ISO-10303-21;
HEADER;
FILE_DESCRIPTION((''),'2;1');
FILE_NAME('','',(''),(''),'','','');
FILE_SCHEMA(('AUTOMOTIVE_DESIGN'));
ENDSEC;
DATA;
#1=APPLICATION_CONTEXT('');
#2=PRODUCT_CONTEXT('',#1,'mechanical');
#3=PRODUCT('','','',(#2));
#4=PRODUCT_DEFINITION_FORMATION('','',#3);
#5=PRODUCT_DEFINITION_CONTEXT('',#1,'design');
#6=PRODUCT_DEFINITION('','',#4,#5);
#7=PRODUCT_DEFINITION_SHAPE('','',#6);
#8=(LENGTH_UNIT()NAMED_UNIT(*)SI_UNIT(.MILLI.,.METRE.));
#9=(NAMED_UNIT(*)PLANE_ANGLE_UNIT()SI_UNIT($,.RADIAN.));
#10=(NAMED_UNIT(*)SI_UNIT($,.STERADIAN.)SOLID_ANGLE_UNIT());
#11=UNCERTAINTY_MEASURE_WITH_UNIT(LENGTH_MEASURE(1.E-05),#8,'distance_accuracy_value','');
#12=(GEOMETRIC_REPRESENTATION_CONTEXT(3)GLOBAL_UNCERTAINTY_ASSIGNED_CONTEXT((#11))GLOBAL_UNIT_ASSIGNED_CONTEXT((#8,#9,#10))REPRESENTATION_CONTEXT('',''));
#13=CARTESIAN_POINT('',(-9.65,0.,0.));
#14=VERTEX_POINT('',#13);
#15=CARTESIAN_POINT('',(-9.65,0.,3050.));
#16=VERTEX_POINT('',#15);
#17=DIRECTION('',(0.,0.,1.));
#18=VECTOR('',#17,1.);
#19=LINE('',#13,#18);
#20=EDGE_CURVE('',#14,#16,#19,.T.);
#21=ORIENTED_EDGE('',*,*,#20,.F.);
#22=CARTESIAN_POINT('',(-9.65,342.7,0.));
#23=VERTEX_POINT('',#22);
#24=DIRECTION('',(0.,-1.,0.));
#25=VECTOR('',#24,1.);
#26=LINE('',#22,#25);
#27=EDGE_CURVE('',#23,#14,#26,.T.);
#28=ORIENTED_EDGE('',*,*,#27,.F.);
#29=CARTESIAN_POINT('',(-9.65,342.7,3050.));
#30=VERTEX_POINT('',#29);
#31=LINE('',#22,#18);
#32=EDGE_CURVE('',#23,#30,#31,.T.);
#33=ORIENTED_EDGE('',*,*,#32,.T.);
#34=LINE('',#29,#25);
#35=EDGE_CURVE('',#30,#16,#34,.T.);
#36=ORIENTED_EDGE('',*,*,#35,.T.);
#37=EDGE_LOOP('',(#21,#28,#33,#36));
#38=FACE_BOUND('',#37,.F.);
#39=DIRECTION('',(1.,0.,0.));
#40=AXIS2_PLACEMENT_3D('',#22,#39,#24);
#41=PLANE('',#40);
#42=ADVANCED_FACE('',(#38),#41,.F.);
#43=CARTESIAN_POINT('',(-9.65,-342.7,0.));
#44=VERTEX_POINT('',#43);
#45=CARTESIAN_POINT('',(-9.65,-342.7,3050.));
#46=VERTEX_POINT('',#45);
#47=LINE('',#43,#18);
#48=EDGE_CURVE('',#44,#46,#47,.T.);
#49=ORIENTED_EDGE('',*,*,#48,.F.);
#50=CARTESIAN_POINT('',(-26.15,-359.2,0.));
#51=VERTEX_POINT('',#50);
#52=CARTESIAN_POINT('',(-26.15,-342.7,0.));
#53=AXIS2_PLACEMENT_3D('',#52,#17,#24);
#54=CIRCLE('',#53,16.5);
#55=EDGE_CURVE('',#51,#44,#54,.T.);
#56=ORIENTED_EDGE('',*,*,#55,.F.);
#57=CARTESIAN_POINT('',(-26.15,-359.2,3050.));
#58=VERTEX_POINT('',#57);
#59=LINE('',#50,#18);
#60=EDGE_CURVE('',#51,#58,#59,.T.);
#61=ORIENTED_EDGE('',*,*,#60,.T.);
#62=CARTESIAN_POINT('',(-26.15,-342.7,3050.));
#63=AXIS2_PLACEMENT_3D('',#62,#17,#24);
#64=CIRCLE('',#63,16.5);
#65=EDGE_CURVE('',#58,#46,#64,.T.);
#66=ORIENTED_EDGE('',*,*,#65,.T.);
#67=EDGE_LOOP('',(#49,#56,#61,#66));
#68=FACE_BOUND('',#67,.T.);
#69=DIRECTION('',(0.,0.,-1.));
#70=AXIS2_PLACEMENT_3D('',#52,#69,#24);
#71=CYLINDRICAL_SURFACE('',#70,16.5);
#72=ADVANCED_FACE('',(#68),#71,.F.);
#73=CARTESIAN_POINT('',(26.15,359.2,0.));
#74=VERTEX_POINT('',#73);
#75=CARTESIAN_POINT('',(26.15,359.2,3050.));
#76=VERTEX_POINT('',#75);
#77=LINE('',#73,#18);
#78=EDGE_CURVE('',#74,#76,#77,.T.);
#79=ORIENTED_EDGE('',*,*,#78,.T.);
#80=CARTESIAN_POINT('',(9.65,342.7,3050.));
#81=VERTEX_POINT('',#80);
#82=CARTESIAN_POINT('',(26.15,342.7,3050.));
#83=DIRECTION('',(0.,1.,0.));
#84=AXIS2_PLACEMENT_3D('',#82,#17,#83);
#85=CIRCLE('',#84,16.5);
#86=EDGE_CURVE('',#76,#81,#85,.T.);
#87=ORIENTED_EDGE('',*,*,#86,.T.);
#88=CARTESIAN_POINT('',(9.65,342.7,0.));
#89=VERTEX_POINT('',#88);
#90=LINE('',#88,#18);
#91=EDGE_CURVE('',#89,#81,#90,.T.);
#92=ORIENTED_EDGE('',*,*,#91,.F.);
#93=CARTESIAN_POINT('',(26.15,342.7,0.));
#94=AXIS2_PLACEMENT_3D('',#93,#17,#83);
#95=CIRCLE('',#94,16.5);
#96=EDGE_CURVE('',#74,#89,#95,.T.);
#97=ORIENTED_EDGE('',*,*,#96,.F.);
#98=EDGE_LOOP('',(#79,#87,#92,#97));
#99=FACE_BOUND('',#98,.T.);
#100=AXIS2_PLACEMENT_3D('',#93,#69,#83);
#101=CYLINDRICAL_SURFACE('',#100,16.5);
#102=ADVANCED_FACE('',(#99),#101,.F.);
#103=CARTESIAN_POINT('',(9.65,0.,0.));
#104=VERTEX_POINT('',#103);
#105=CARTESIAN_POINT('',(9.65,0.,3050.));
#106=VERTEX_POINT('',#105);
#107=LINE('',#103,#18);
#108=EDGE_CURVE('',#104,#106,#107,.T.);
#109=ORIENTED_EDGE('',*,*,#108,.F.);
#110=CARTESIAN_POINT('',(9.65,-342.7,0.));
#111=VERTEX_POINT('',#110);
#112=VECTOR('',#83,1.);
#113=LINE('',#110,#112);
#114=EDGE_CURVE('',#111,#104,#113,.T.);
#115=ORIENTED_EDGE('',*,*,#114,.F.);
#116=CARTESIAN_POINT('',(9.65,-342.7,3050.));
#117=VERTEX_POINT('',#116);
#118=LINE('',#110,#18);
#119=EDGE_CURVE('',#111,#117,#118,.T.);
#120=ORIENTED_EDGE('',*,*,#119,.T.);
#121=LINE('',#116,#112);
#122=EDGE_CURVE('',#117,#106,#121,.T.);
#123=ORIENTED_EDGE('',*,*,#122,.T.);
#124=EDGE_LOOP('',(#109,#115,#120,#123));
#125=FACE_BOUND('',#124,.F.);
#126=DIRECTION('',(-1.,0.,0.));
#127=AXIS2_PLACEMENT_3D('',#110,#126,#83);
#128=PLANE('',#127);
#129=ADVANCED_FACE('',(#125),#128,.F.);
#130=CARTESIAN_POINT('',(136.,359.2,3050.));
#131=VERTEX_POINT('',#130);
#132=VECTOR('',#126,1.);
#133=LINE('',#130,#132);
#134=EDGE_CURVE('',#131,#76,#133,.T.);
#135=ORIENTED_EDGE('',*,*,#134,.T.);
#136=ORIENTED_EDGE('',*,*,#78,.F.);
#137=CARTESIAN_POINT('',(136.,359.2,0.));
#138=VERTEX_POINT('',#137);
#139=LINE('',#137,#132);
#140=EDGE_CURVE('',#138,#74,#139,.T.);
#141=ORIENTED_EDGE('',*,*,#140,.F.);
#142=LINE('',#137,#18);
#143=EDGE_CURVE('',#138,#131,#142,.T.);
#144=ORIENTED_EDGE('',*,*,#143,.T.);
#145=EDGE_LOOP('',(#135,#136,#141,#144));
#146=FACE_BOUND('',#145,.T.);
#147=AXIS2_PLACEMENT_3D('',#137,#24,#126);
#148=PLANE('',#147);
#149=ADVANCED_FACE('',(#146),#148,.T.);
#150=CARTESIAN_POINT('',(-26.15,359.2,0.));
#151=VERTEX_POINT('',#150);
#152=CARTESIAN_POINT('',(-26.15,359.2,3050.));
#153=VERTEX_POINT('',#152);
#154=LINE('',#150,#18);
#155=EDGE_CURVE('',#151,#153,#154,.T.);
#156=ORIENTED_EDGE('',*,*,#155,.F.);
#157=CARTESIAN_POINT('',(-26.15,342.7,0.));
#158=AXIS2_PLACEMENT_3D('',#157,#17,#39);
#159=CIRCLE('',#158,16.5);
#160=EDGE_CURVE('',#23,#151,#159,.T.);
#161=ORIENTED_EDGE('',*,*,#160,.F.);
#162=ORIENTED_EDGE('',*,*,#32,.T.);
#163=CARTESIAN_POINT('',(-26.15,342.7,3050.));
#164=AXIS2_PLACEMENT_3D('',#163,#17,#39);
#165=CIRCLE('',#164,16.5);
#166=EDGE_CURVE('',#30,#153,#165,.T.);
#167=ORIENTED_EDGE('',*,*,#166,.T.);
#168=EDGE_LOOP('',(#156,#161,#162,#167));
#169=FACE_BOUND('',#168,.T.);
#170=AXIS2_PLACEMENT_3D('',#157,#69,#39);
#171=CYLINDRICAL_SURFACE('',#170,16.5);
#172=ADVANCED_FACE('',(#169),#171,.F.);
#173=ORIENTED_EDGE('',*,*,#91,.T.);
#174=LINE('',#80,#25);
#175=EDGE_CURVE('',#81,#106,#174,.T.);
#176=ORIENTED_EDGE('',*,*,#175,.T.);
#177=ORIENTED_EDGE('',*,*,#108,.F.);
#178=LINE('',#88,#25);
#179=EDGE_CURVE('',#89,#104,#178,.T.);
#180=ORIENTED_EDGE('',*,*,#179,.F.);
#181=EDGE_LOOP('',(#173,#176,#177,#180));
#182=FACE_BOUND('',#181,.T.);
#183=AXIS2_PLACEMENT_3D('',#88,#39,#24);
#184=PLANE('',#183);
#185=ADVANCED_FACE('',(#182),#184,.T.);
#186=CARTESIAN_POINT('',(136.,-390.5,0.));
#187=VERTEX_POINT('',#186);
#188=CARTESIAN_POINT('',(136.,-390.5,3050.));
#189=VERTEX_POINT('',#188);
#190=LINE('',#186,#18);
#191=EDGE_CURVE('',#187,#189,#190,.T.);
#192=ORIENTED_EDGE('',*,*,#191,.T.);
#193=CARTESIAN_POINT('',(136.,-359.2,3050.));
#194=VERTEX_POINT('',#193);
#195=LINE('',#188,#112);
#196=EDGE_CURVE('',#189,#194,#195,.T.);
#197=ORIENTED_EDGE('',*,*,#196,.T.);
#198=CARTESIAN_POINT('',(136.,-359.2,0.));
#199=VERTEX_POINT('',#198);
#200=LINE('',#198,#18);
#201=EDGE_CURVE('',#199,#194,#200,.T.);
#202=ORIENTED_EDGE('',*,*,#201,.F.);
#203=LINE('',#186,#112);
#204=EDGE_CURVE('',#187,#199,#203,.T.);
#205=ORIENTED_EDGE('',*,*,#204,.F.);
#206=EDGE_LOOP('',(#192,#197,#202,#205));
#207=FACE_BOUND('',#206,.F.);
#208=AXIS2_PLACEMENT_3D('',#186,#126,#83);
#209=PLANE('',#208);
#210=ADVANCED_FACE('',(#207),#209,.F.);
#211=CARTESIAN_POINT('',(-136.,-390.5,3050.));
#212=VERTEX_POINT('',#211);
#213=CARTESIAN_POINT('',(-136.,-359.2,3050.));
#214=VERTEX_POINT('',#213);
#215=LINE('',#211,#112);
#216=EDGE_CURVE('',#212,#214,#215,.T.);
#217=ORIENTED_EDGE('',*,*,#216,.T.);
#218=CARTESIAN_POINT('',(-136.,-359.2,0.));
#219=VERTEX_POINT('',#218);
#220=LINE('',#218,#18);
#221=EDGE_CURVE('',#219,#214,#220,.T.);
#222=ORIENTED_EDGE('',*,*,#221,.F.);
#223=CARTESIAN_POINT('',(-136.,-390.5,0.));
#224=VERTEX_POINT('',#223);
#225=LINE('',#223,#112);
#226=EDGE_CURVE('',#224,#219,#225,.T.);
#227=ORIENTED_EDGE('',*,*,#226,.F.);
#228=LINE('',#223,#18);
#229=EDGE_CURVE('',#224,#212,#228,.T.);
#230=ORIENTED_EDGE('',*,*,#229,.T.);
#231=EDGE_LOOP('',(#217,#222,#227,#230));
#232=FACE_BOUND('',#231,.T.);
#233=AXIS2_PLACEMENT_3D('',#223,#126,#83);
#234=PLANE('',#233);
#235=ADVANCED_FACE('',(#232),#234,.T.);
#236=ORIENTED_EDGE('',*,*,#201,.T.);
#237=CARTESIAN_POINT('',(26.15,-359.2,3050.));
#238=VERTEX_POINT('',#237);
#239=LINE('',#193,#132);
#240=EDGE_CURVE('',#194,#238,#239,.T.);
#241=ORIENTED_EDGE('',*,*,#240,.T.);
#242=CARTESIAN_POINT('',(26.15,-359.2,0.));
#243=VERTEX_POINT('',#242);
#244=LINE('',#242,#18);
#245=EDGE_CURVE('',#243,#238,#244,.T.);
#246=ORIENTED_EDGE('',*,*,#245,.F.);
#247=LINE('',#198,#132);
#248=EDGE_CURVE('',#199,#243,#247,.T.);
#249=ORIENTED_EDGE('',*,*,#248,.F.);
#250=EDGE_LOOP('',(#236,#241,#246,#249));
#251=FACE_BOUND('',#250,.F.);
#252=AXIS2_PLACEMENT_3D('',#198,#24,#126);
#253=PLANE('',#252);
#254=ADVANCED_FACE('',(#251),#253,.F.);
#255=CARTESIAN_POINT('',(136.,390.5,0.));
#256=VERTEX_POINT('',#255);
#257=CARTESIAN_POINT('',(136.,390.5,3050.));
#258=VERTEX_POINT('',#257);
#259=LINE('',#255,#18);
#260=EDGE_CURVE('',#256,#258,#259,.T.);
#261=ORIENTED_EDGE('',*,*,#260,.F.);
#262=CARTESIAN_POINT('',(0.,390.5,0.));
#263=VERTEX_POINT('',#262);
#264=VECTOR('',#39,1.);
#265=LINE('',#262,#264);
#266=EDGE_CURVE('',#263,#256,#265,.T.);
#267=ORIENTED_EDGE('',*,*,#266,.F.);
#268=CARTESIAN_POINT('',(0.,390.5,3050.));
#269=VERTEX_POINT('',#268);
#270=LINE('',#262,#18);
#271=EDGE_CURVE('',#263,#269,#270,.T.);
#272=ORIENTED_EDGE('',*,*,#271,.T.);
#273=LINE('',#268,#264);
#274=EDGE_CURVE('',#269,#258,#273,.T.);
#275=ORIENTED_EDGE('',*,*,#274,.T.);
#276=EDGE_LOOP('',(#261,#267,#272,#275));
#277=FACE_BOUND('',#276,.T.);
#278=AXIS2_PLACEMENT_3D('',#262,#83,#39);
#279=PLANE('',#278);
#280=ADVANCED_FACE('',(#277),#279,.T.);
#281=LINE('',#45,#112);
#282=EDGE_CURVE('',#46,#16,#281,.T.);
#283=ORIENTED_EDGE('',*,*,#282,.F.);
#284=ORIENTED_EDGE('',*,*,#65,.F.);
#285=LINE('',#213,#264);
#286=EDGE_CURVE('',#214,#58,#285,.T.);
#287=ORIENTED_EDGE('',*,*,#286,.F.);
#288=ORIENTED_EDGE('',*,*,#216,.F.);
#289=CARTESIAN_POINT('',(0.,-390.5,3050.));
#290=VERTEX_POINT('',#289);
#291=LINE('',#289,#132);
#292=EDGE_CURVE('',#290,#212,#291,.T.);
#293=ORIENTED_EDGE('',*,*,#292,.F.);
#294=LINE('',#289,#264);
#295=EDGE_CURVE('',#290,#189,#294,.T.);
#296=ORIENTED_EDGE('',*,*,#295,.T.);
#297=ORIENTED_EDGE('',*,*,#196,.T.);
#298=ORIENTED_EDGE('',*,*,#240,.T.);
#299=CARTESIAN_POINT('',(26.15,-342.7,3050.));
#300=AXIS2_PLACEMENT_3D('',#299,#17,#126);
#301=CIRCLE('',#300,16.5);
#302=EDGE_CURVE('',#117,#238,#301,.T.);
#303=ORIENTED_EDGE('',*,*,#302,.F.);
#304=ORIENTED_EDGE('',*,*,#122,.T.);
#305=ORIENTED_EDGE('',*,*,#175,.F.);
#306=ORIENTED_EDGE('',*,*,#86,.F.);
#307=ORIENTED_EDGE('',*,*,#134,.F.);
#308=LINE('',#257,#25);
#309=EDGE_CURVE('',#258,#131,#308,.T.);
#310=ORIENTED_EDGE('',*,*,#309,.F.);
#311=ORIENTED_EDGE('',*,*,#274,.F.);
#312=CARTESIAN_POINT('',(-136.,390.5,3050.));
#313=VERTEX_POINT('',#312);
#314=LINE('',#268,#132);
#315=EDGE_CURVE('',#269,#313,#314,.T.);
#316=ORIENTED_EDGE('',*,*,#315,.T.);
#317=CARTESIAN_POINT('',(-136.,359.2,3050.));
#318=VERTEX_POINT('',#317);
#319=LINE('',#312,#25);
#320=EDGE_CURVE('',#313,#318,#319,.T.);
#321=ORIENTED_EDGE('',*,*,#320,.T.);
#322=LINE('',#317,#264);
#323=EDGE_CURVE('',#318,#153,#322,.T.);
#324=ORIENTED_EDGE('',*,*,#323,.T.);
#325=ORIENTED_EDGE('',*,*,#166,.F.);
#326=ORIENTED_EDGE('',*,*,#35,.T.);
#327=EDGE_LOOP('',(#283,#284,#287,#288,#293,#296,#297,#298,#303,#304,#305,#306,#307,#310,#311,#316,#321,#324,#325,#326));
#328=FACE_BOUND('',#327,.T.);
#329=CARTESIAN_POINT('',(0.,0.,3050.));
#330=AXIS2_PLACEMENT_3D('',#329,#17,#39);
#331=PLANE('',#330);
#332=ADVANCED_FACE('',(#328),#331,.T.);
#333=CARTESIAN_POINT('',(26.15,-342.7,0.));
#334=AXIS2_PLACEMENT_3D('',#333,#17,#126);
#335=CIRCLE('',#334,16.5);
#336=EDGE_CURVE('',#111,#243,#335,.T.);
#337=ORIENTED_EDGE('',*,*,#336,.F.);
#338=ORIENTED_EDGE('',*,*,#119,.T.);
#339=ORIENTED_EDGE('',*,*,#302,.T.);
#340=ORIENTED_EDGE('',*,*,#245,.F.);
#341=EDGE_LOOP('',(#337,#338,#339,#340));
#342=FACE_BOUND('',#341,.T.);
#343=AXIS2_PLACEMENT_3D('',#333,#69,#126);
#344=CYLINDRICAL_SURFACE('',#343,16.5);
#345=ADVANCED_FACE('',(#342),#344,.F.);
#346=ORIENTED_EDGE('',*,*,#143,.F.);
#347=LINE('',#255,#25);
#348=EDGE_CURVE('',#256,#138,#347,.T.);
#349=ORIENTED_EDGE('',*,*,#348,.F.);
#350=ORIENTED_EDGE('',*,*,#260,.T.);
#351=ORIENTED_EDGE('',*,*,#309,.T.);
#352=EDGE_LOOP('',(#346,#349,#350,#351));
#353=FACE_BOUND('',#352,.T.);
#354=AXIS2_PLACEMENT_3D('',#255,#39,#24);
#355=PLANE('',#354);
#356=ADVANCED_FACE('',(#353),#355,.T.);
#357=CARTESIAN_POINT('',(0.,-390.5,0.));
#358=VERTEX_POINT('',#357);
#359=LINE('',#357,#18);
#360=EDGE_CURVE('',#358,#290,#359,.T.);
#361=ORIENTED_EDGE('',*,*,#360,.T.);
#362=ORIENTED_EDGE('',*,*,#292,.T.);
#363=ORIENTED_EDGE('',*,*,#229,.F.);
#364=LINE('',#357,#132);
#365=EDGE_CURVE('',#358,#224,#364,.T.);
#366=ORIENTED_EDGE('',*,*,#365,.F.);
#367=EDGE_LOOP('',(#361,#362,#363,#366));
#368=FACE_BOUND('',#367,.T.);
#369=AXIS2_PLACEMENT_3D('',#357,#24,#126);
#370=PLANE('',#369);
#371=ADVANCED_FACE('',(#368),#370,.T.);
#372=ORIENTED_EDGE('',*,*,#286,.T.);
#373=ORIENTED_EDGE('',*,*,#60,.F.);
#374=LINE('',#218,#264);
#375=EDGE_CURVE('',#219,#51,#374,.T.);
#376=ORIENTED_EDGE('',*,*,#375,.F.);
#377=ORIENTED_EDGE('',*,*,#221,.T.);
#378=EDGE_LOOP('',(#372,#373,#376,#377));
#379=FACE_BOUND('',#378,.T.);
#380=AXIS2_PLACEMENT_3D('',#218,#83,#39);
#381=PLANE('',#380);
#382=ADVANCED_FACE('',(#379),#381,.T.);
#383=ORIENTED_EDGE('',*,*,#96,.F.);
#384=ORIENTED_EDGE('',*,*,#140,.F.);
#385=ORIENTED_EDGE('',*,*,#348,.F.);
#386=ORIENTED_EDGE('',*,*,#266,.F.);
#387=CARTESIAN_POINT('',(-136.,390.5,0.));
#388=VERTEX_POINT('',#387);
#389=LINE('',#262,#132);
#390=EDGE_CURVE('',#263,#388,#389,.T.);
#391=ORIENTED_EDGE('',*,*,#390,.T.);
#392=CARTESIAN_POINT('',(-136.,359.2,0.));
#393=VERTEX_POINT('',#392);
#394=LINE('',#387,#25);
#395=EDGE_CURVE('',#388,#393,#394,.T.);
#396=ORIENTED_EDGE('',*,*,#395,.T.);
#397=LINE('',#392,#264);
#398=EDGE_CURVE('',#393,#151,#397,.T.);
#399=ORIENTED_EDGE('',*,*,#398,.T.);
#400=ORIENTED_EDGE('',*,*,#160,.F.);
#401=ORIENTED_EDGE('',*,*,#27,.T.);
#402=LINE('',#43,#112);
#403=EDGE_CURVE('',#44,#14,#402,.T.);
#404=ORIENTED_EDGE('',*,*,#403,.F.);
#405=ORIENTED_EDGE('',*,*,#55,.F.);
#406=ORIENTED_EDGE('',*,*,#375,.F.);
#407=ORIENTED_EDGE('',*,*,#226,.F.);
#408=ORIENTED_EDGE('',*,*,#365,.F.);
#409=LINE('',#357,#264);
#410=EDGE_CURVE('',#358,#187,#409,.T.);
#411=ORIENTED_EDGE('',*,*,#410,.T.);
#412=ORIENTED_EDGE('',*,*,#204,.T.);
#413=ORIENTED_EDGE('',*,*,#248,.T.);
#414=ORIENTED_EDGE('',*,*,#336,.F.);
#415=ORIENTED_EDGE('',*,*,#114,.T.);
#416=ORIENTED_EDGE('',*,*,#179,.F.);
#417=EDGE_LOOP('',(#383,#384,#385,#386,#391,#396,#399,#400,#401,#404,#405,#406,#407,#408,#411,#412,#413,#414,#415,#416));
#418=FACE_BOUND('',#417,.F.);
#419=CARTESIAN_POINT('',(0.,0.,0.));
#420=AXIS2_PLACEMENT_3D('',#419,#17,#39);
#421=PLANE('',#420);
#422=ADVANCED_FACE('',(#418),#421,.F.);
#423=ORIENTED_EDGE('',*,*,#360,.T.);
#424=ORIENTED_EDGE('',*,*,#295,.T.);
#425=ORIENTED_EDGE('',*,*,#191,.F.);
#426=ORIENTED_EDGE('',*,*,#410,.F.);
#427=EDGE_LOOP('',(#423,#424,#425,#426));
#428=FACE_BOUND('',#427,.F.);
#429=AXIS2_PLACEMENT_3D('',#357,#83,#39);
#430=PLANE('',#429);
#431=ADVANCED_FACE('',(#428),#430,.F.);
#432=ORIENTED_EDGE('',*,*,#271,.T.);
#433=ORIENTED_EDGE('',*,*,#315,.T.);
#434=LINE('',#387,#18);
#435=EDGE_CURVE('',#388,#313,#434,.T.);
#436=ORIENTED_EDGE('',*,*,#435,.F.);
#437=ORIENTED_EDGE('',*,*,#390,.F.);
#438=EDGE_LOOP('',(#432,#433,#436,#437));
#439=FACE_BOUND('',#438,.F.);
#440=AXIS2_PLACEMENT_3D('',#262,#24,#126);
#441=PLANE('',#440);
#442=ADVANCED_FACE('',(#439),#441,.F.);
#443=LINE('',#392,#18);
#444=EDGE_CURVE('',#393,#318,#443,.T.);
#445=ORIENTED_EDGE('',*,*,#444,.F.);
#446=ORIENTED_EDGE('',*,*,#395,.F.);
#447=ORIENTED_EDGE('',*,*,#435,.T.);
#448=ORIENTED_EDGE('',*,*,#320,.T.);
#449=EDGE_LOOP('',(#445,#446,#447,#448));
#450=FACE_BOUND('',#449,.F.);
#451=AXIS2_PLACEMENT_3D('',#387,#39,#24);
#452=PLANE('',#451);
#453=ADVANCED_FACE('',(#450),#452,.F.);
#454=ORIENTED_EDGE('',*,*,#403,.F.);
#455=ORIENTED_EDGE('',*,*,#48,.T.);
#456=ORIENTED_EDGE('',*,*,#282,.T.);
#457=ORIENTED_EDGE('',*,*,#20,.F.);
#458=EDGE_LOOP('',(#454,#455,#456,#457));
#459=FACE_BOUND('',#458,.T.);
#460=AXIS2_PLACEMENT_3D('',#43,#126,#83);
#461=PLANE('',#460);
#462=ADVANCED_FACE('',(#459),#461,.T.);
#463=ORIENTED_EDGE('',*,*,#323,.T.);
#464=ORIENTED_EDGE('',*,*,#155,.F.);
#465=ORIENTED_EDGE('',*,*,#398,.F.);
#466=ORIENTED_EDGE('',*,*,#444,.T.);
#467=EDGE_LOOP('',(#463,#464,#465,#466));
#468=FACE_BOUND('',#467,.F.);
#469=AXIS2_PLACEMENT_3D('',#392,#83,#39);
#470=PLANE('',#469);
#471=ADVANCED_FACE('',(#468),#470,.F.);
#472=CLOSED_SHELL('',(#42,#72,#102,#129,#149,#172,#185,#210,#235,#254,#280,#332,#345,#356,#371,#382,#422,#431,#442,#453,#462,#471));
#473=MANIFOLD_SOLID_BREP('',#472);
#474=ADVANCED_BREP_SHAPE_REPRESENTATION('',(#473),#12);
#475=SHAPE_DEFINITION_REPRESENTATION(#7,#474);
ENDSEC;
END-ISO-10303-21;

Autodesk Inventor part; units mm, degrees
ref_plane "YZ Plane" through (0, 0, 0) normal (1, 0, 0) x (0, 1, 0)
ref_plane "Start plane" through (0, 0, 0) normal (0, 0, 1) x (1, 0, 0)
ref_plane "End plane" through (0, 0, 3050) normal (0, 0, 1) x (1, 0, 0)
sketch "Sketch" plane through (0, 0, 0) normal (0, 0, 1) x (1, 0, 0)
  line L0 (-136, -390.5) -> (-136, -359.2)
  line L1 (-136, -359.2) -> (-26.15, -359.2)
  line L2 (-9.65, -342.7) -> (-9.65, 0)
  line L3 (-9.65, 0) -> (0, 0) construction
  line L4 (0, 0) -> (0, -390.5) construction
  line L5 (0, -390.5) -> (-136, -390.5)
  line L6 (-60, 0) -> (80, 0) construction
  line L7 (0, -60) -> (0, 80) construction
  line L8 (136, -390.5) -> (136, -359.2)
  line L9 (136, -359.2) -> (26.15, -359.2)
  line L10 (9.65, -342.7) -> (9.65, 0)
  line L11 (9.65, 0) -> (0, 0) construction
  line L12 (0, -390.5) -> (136, -390.5)
  line L13 (-136, 390.5) -> (-136, 359.2)
  line L14 (-136, 359.2) -> (-26.15, 359.2)
  line L15 (-9.65, 342.7) -> (-9.65, 0)
  line L16 (0, 390.5) -> (-136, 390.5)
  line L17 (136, 390.5) -> (136, 359.2)
  line L18 (136, 359.2) -> (26.15, 359.2)
  line L19 (0, 390.5) -> (136, 390.5)
  line L20 (9.65, 342.7) -> (9.65, 0)
  arc A0 (-9.65, 342.7) -> (-26.15, 359.2) centre (-26.15, 342.7) ccw
  arc A1 (26.15, 359.2) -> (9.65, 342.7) centre (26.15, 342.7) ccw
  arc A2 (9.65, -342.7) -> (26.15, -359.2) centre (26.15, -342.7) ccw
  arc A3 (-26.15, -359.2) -> (-9.65, -342.7) centre (-26.15, -342.7) ccw
  line L21 (0, 108) -> (0, -88) construction
  line L22 (-88, 0) -> (108, 0) construction
  point P0 (-9.65, -359.2)
  point P1 (9.65, -359.2)
  point P2 (-9.65, 359.2)
  point P3 (9.65, 359.2)
  dimension "d1" = 390.5
  dimension "d2" = 31.3
  dimension "d3" = 136
  dimension "d4" = 9.65
  dimension "d10" = 16.5
extrude "Body" add sketch "Sketch" along normal up to surface (3050 mm away) from surface at 0
sketch "Sketch4" plane through (0, 0, 0) normal (0, 0, 1) x (1, 0, 0)
  line L0 (0, 0) -> (10, 0)
ref_plane "Work Plane3" through (0, 0, 0) normal (0, -1, 0) x (1, 0, 0)
sketch "Sketch5" plane through (0, 0, 0) normal (0, -1, 0) x (1, 0, 0)
  line L0 (-2, 0) -> (12, 0) projected
  line L1 (-2, 3050) -> (12, 3050) projected
  dimension "d14" = 3050
equation "\"d1\" = 0.5 * G_H"
equation "\"d2\" = G_T1"
equation "\"d3\" = 0.5 * G_W"
equation "\"d4\" = 0.5 * G_T"
equation "\"d10\" = G_IR"
equation "\"d5\" = G_L"
equation "\"G_W\" = 272"
equation "\"G_H\" = 781"
equation "\"G_T\" = 19.3"
equation "\"G_T1\" = 31.3"
equation "\"G_IR\" = 16.5"
equation "\"G_L\" = d14"
equation "\"G_OFFSET_START\" = 0"
equation "\"G_OFFSET_END\" = 0"
properties part number "AS 3679-1990 - 760 UB - 244 - 3050" material "Steel, Mild"
